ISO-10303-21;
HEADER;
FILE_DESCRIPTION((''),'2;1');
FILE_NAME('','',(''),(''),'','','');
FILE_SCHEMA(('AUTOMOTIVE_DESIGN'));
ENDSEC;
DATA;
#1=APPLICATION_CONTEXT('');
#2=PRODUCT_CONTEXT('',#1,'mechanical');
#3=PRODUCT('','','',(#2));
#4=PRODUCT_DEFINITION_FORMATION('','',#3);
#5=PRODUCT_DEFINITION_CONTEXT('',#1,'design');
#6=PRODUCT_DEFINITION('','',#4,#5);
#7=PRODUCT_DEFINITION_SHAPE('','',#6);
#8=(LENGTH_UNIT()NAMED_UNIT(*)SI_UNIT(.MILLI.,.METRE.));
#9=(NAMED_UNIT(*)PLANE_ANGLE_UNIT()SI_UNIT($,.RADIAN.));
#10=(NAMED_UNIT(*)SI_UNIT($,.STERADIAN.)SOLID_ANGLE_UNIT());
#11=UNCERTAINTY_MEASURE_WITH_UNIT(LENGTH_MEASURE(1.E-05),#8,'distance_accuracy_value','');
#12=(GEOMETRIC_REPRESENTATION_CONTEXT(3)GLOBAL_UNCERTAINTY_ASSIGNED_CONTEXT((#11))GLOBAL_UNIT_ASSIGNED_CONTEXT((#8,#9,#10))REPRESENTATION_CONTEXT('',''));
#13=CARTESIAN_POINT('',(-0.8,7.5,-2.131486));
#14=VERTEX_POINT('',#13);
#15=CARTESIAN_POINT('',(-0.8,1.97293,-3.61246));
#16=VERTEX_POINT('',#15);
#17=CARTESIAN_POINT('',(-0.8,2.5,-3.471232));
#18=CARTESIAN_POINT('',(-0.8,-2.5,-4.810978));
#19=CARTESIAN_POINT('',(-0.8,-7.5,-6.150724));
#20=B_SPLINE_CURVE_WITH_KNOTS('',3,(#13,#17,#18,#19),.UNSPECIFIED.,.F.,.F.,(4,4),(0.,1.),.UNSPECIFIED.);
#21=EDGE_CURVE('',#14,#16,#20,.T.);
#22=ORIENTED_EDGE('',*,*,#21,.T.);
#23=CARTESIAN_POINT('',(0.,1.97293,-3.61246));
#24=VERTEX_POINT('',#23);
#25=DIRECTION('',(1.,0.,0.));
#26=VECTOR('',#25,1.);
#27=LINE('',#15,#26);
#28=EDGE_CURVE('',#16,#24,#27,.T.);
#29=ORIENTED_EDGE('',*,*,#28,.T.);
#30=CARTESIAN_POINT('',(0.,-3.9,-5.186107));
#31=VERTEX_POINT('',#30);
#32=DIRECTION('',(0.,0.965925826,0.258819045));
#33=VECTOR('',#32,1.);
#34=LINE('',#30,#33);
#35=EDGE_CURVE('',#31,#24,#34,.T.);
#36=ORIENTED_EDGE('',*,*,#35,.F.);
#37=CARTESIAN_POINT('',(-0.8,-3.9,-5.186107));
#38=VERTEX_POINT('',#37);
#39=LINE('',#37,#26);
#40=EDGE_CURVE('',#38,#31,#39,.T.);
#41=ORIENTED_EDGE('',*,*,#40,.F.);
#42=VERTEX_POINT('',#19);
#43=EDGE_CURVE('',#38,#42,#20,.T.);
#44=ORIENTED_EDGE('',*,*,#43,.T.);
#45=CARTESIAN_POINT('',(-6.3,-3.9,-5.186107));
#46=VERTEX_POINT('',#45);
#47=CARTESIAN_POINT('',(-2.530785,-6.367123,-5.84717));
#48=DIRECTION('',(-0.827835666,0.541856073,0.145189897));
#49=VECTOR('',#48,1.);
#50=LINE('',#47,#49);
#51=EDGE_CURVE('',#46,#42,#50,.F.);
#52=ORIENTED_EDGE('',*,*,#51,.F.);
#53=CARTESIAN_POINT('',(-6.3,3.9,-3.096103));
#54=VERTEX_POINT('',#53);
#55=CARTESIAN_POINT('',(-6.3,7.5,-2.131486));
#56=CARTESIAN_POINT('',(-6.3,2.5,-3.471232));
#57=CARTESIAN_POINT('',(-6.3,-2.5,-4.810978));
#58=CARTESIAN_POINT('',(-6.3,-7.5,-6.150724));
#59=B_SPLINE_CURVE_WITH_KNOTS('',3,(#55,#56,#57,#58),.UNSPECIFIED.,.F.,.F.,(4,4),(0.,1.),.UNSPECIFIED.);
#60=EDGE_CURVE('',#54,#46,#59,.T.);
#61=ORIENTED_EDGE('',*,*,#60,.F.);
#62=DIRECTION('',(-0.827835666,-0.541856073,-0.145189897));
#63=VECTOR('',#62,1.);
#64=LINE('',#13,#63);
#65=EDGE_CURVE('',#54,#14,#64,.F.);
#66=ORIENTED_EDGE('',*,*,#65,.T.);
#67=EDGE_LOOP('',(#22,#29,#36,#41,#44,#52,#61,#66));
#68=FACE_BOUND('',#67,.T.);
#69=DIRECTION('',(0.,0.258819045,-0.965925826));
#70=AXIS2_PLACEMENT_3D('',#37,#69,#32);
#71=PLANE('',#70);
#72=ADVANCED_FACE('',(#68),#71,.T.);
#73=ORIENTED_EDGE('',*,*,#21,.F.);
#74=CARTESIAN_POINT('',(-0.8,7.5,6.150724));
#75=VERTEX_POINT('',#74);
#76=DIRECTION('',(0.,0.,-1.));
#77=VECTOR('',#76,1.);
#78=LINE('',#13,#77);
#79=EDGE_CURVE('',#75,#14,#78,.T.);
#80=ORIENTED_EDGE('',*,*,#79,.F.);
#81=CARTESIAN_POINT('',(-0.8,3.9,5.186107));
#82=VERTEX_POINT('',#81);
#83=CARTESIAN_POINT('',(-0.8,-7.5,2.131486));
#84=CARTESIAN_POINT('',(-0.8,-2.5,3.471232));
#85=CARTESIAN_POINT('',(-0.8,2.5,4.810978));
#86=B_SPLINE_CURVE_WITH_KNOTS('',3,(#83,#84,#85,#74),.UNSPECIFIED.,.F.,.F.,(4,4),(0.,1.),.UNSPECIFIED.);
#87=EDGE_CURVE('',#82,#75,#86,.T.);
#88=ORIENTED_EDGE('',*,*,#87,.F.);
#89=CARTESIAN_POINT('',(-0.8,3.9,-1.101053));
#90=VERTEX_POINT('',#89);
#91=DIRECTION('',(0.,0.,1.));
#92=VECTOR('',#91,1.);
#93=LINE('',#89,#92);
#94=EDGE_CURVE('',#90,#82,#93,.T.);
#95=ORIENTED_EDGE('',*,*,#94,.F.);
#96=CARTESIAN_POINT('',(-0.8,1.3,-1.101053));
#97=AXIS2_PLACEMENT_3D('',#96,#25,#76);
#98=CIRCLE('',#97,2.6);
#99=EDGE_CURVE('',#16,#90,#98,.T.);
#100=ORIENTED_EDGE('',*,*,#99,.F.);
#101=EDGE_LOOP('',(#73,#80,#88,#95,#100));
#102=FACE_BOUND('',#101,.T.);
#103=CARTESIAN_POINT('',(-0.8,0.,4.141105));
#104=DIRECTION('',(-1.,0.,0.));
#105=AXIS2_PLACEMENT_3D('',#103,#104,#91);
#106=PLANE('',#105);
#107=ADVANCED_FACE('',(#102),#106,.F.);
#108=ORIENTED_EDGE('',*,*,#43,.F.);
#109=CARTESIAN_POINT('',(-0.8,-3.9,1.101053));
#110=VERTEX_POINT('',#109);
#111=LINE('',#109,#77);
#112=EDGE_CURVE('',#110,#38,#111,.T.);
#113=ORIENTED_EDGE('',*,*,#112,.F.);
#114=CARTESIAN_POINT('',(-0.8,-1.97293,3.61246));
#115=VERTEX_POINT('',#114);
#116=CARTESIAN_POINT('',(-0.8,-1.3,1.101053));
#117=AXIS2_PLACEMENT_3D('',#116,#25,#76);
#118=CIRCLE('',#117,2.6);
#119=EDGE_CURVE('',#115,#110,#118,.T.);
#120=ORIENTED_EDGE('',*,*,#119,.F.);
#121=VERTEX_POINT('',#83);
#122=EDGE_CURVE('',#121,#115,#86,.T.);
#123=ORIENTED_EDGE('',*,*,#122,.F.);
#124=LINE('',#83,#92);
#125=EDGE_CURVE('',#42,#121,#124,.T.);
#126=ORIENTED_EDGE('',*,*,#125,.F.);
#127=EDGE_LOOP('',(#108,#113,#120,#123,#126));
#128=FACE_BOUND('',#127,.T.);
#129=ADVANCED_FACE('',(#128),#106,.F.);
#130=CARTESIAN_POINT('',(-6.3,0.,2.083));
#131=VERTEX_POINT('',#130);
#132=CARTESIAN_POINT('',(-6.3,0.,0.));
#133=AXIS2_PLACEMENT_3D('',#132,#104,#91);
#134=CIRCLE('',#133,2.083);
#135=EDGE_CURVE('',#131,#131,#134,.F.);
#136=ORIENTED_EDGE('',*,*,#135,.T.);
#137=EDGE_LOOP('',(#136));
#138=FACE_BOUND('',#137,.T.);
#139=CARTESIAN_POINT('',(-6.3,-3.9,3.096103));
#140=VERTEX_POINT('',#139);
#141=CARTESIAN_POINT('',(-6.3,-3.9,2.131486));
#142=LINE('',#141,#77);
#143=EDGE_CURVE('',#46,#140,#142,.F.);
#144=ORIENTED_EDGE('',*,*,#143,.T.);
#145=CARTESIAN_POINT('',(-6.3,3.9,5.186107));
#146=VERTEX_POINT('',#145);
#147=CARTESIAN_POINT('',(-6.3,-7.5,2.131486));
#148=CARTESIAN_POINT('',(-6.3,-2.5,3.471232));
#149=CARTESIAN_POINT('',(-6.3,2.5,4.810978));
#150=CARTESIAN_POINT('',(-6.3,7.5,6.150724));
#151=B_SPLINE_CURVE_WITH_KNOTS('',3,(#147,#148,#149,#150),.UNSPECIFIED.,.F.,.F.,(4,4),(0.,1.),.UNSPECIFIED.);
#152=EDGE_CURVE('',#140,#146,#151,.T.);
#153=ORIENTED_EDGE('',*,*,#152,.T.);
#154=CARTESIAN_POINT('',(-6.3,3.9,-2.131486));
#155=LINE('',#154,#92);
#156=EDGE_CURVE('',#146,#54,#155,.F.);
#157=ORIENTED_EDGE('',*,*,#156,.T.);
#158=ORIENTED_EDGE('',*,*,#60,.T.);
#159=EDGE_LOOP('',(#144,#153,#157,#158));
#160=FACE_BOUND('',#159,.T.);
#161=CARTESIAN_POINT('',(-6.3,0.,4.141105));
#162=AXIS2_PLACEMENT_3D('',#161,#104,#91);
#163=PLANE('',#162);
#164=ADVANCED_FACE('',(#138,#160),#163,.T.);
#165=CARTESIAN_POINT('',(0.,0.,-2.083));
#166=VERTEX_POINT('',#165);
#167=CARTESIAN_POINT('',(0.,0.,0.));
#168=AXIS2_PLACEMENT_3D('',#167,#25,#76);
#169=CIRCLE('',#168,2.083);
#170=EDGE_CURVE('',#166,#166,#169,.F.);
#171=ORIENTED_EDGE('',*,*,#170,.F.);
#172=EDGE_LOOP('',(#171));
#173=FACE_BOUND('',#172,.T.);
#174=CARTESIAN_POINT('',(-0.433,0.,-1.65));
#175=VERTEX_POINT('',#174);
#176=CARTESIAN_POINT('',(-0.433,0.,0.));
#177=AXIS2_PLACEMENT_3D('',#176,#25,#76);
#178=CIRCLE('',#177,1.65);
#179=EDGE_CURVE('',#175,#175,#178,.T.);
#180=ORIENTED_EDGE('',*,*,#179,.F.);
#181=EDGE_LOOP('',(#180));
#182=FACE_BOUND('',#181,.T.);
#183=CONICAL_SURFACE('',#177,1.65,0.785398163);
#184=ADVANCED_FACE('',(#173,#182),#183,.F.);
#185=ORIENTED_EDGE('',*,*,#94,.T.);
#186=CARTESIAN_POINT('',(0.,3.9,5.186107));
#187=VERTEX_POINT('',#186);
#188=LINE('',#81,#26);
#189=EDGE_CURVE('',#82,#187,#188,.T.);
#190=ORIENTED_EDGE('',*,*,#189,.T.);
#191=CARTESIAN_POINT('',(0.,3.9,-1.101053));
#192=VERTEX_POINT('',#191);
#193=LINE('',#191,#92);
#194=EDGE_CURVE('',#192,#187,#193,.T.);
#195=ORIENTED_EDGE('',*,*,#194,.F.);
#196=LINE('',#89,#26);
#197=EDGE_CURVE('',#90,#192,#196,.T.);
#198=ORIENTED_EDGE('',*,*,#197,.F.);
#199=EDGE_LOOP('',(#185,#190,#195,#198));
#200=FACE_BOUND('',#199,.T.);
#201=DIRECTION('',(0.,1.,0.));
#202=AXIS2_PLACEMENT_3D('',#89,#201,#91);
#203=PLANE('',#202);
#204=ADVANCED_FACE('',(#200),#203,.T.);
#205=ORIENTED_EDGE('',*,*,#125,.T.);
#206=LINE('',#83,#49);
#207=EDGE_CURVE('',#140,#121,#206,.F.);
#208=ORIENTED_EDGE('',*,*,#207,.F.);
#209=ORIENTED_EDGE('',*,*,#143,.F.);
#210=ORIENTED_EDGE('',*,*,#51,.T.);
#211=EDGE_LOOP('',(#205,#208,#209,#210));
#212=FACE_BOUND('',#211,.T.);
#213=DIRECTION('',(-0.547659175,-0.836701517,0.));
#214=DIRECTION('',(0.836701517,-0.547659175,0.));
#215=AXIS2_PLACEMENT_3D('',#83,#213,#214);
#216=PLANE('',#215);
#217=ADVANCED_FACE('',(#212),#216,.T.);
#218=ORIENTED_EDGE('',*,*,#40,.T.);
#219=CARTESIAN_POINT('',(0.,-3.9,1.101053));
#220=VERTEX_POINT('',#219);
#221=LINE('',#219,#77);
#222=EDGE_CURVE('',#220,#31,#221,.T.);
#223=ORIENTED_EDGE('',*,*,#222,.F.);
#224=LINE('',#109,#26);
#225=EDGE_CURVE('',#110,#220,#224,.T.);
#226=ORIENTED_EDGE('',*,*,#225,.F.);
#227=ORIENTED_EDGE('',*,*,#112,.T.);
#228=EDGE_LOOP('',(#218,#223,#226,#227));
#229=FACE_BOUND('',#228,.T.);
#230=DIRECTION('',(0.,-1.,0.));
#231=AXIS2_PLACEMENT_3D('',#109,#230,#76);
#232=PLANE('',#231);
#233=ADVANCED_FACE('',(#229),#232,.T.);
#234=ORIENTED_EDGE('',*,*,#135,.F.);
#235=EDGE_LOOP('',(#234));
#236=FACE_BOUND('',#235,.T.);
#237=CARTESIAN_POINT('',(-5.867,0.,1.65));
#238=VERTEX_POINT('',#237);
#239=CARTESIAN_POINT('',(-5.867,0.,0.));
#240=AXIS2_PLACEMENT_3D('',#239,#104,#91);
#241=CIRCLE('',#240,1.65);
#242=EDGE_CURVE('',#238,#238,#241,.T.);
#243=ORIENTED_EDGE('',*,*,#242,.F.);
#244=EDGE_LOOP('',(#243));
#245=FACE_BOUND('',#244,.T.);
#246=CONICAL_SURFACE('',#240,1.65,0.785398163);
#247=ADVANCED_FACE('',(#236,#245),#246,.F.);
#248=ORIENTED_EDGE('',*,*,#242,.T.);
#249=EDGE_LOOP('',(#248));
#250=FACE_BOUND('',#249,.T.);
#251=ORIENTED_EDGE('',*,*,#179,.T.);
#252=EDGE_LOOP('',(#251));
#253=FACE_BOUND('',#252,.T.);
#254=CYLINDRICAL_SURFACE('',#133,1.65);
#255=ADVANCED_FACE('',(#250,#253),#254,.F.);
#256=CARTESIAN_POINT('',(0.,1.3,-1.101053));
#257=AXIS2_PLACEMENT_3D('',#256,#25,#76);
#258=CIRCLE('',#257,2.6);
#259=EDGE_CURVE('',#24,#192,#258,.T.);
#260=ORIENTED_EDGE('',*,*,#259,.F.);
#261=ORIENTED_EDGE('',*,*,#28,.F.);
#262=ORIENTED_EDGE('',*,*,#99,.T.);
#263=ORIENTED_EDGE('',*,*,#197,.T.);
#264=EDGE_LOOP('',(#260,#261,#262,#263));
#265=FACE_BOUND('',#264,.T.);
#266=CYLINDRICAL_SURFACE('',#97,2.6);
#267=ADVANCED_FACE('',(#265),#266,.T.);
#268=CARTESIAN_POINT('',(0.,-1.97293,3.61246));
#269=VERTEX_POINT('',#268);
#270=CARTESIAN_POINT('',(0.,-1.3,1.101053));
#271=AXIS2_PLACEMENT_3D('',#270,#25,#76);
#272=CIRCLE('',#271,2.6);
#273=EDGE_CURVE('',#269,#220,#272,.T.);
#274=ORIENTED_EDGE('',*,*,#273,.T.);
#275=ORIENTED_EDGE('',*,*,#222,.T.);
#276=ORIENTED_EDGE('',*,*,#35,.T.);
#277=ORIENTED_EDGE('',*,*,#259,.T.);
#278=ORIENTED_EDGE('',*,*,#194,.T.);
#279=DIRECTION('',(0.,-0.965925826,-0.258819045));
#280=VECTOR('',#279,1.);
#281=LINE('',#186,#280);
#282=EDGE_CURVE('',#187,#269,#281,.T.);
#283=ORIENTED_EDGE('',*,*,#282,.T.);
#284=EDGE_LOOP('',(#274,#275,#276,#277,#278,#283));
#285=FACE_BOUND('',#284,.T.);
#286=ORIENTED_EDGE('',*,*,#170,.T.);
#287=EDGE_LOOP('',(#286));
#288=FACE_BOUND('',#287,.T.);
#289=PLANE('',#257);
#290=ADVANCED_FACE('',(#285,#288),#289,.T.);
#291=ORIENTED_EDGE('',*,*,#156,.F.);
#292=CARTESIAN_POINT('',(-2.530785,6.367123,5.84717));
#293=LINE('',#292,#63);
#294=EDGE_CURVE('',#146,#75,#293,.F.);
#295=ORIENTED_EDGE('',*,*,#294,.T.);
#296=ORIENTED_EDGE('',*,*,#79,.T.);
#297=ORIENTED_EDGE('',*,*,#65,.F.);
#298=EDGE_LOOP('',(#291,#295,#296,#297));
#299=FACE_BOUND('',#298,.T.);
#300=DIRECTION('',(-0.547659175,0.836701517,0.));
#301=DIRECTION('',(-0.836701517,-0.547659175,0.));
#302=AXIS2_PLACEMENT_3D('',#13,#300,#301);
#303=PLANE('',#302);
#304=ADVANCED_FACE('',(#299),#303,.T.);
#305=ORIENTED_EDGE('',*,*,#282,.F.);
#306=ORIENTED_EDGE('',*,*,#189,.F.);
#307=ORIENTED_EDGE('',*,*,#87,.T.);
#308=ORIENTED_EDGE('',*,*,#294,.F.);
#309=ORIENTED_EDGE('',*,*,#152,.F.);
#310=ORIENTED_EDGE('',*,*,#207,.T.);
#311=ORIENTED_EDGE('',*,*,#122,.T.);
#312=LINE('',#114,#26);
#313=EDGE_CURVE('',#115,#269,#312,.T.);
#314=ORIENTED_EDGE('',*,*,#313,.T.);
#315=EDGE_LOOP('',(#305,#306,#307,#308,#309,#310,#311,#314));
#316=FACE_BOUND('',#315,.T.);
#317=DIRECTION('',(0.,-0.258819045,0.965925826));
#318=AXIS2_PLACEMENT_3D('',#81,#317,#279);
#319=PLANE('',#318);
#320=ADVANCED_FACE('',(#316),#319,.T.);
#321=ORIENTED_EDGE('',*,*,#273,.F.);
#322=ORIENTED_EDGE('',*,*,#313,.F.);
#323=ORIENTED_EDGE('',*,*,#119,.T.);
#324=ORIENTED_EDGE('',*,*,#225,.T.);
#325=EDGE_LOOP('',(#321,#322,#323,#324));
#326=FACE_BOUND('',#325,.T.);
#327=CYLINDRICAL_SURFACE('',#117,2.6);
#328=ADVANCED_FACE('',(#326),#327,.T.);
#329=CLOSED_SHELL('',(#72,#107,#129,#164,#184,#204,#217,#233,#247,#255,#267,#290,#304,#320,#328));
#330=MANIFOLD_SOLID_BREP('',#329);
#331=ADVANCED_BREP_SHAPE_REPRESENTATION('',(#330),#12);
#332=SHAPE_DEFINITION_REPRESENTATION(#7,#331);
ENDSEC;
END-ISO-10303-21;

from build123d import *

# Parameters (mm, degrees)
EXTRUDE1_DEPTH        = 0.8
EXTRUDE2_DEPTH        = 5.5
DRAFT1_ANGLE          = -33.206570315
DRAFT2_ANGLE          = -33.206570315
M4_TAPPED_HOLE1_D     = 3.3
M4_TAPPED_HOLE1_DEPTH = 6.3
CHAMFER1_SIZE         = 0.433


with BuildPart() as part:
    # Sketch1 → Extrude1 (new body)
    with BuildSketch(Plane(origin=(0, 0, 0), x_dir=(0, 0, -1), z_dir=(1, 0, 0))):
        with BuildLine():
            Line((1.101052702, 3.9), (-5.186106572, 3.9))
            Line((-5.186106572, 3.9), (-3.612459851, -1.972929517))
            ThreePointArc((-3.612459851, -1.972929517), (-2.683832418, -3.362718685), (-1.101052702, -3.9))
            Line((-1.101052702, -3.9), (5.186106572, -3.9))
            Line((5.186106572, -3.9), (3.612459851, 1.972929517))
            ThreePointArc((3.612459851, 1.972929517), (2.683832418, 3.362718685), (1.101052702, 3.9))
        make_face()
    extrude(amount=-EXTRUDE1_DEPTH)

    # Sketch2 → Extrude2 (add)
    with BuildSketch(Plane.ZY.offset(0.8)):
        with BuildLine():
            Line((2.131485778, -7.5), (-6.150723665, -7.5))
            add(Edge.make_bspline(
                [(-2.131485778, 7.5), (-3.471231741, 2.5), (-4.810977703, -2.5), (-6.150723665, -7.5)],
                knots=[0, 0, 0, 0, 1, 1, 1, 1], degree=3))
            Line((-2.131485778, 7.5), (6.150723665, 7.5))
            add(Edge.make_bspline(
                [(2.131485778, -7.5), (3.471231741, -2.5), (4.810977703, 2.5), (6.150723665, 7.5)],
                knots=[0, 0, 0, 0, 1, 1, 1, 1], degree=3))
        make_face()
    extrude(amount=EXTRUDE2_DEPTH)

    # Draft1
    draft1_faces = [part.faces().sort_by_distance(p)[0] for p in [
        (-3.55, 7.5, 2.009618943),
    ]]
    draft(draft1_faces, Plane(origin=(-0.8, 0, 4.141104722), x_dir=(0, 0, 1), z_dir=(1, 0, 0)), DRAFT1_ANGLE)

    # Draft2
    draft2_faces = [part.faces().sort_by_distance(p)[0] for p in [
        (-3.55, -7.5, -2.009618943),
    ]]
    draft(draft2_faces, Plane(origin=(-0.8, 0, 4.141104722), x_dir=(0, 0, 1), z_dir=(1, 0, 0)), DRAFT2_ANGLE)

    # M4 Tapped Hole1
    with Locations(Plane.ZY.offset(6.3)):
        with Locations((0, 0)):
            Hole(M4_TAPPED_HOLE1_D / 2, depth=M4_TAPPED_HOLE1_DEPTH)

    # Chamfer1
    chamfer1_edges = [part.edges().sort_by_distance(p)[0] for p in [
        (-6.3, 0, 1.65),
        (0, 0, 1.65),
    ]]
    chamfer(chamfer1_edges, length=CHAMFER1_SIZE)


solid = part.part
